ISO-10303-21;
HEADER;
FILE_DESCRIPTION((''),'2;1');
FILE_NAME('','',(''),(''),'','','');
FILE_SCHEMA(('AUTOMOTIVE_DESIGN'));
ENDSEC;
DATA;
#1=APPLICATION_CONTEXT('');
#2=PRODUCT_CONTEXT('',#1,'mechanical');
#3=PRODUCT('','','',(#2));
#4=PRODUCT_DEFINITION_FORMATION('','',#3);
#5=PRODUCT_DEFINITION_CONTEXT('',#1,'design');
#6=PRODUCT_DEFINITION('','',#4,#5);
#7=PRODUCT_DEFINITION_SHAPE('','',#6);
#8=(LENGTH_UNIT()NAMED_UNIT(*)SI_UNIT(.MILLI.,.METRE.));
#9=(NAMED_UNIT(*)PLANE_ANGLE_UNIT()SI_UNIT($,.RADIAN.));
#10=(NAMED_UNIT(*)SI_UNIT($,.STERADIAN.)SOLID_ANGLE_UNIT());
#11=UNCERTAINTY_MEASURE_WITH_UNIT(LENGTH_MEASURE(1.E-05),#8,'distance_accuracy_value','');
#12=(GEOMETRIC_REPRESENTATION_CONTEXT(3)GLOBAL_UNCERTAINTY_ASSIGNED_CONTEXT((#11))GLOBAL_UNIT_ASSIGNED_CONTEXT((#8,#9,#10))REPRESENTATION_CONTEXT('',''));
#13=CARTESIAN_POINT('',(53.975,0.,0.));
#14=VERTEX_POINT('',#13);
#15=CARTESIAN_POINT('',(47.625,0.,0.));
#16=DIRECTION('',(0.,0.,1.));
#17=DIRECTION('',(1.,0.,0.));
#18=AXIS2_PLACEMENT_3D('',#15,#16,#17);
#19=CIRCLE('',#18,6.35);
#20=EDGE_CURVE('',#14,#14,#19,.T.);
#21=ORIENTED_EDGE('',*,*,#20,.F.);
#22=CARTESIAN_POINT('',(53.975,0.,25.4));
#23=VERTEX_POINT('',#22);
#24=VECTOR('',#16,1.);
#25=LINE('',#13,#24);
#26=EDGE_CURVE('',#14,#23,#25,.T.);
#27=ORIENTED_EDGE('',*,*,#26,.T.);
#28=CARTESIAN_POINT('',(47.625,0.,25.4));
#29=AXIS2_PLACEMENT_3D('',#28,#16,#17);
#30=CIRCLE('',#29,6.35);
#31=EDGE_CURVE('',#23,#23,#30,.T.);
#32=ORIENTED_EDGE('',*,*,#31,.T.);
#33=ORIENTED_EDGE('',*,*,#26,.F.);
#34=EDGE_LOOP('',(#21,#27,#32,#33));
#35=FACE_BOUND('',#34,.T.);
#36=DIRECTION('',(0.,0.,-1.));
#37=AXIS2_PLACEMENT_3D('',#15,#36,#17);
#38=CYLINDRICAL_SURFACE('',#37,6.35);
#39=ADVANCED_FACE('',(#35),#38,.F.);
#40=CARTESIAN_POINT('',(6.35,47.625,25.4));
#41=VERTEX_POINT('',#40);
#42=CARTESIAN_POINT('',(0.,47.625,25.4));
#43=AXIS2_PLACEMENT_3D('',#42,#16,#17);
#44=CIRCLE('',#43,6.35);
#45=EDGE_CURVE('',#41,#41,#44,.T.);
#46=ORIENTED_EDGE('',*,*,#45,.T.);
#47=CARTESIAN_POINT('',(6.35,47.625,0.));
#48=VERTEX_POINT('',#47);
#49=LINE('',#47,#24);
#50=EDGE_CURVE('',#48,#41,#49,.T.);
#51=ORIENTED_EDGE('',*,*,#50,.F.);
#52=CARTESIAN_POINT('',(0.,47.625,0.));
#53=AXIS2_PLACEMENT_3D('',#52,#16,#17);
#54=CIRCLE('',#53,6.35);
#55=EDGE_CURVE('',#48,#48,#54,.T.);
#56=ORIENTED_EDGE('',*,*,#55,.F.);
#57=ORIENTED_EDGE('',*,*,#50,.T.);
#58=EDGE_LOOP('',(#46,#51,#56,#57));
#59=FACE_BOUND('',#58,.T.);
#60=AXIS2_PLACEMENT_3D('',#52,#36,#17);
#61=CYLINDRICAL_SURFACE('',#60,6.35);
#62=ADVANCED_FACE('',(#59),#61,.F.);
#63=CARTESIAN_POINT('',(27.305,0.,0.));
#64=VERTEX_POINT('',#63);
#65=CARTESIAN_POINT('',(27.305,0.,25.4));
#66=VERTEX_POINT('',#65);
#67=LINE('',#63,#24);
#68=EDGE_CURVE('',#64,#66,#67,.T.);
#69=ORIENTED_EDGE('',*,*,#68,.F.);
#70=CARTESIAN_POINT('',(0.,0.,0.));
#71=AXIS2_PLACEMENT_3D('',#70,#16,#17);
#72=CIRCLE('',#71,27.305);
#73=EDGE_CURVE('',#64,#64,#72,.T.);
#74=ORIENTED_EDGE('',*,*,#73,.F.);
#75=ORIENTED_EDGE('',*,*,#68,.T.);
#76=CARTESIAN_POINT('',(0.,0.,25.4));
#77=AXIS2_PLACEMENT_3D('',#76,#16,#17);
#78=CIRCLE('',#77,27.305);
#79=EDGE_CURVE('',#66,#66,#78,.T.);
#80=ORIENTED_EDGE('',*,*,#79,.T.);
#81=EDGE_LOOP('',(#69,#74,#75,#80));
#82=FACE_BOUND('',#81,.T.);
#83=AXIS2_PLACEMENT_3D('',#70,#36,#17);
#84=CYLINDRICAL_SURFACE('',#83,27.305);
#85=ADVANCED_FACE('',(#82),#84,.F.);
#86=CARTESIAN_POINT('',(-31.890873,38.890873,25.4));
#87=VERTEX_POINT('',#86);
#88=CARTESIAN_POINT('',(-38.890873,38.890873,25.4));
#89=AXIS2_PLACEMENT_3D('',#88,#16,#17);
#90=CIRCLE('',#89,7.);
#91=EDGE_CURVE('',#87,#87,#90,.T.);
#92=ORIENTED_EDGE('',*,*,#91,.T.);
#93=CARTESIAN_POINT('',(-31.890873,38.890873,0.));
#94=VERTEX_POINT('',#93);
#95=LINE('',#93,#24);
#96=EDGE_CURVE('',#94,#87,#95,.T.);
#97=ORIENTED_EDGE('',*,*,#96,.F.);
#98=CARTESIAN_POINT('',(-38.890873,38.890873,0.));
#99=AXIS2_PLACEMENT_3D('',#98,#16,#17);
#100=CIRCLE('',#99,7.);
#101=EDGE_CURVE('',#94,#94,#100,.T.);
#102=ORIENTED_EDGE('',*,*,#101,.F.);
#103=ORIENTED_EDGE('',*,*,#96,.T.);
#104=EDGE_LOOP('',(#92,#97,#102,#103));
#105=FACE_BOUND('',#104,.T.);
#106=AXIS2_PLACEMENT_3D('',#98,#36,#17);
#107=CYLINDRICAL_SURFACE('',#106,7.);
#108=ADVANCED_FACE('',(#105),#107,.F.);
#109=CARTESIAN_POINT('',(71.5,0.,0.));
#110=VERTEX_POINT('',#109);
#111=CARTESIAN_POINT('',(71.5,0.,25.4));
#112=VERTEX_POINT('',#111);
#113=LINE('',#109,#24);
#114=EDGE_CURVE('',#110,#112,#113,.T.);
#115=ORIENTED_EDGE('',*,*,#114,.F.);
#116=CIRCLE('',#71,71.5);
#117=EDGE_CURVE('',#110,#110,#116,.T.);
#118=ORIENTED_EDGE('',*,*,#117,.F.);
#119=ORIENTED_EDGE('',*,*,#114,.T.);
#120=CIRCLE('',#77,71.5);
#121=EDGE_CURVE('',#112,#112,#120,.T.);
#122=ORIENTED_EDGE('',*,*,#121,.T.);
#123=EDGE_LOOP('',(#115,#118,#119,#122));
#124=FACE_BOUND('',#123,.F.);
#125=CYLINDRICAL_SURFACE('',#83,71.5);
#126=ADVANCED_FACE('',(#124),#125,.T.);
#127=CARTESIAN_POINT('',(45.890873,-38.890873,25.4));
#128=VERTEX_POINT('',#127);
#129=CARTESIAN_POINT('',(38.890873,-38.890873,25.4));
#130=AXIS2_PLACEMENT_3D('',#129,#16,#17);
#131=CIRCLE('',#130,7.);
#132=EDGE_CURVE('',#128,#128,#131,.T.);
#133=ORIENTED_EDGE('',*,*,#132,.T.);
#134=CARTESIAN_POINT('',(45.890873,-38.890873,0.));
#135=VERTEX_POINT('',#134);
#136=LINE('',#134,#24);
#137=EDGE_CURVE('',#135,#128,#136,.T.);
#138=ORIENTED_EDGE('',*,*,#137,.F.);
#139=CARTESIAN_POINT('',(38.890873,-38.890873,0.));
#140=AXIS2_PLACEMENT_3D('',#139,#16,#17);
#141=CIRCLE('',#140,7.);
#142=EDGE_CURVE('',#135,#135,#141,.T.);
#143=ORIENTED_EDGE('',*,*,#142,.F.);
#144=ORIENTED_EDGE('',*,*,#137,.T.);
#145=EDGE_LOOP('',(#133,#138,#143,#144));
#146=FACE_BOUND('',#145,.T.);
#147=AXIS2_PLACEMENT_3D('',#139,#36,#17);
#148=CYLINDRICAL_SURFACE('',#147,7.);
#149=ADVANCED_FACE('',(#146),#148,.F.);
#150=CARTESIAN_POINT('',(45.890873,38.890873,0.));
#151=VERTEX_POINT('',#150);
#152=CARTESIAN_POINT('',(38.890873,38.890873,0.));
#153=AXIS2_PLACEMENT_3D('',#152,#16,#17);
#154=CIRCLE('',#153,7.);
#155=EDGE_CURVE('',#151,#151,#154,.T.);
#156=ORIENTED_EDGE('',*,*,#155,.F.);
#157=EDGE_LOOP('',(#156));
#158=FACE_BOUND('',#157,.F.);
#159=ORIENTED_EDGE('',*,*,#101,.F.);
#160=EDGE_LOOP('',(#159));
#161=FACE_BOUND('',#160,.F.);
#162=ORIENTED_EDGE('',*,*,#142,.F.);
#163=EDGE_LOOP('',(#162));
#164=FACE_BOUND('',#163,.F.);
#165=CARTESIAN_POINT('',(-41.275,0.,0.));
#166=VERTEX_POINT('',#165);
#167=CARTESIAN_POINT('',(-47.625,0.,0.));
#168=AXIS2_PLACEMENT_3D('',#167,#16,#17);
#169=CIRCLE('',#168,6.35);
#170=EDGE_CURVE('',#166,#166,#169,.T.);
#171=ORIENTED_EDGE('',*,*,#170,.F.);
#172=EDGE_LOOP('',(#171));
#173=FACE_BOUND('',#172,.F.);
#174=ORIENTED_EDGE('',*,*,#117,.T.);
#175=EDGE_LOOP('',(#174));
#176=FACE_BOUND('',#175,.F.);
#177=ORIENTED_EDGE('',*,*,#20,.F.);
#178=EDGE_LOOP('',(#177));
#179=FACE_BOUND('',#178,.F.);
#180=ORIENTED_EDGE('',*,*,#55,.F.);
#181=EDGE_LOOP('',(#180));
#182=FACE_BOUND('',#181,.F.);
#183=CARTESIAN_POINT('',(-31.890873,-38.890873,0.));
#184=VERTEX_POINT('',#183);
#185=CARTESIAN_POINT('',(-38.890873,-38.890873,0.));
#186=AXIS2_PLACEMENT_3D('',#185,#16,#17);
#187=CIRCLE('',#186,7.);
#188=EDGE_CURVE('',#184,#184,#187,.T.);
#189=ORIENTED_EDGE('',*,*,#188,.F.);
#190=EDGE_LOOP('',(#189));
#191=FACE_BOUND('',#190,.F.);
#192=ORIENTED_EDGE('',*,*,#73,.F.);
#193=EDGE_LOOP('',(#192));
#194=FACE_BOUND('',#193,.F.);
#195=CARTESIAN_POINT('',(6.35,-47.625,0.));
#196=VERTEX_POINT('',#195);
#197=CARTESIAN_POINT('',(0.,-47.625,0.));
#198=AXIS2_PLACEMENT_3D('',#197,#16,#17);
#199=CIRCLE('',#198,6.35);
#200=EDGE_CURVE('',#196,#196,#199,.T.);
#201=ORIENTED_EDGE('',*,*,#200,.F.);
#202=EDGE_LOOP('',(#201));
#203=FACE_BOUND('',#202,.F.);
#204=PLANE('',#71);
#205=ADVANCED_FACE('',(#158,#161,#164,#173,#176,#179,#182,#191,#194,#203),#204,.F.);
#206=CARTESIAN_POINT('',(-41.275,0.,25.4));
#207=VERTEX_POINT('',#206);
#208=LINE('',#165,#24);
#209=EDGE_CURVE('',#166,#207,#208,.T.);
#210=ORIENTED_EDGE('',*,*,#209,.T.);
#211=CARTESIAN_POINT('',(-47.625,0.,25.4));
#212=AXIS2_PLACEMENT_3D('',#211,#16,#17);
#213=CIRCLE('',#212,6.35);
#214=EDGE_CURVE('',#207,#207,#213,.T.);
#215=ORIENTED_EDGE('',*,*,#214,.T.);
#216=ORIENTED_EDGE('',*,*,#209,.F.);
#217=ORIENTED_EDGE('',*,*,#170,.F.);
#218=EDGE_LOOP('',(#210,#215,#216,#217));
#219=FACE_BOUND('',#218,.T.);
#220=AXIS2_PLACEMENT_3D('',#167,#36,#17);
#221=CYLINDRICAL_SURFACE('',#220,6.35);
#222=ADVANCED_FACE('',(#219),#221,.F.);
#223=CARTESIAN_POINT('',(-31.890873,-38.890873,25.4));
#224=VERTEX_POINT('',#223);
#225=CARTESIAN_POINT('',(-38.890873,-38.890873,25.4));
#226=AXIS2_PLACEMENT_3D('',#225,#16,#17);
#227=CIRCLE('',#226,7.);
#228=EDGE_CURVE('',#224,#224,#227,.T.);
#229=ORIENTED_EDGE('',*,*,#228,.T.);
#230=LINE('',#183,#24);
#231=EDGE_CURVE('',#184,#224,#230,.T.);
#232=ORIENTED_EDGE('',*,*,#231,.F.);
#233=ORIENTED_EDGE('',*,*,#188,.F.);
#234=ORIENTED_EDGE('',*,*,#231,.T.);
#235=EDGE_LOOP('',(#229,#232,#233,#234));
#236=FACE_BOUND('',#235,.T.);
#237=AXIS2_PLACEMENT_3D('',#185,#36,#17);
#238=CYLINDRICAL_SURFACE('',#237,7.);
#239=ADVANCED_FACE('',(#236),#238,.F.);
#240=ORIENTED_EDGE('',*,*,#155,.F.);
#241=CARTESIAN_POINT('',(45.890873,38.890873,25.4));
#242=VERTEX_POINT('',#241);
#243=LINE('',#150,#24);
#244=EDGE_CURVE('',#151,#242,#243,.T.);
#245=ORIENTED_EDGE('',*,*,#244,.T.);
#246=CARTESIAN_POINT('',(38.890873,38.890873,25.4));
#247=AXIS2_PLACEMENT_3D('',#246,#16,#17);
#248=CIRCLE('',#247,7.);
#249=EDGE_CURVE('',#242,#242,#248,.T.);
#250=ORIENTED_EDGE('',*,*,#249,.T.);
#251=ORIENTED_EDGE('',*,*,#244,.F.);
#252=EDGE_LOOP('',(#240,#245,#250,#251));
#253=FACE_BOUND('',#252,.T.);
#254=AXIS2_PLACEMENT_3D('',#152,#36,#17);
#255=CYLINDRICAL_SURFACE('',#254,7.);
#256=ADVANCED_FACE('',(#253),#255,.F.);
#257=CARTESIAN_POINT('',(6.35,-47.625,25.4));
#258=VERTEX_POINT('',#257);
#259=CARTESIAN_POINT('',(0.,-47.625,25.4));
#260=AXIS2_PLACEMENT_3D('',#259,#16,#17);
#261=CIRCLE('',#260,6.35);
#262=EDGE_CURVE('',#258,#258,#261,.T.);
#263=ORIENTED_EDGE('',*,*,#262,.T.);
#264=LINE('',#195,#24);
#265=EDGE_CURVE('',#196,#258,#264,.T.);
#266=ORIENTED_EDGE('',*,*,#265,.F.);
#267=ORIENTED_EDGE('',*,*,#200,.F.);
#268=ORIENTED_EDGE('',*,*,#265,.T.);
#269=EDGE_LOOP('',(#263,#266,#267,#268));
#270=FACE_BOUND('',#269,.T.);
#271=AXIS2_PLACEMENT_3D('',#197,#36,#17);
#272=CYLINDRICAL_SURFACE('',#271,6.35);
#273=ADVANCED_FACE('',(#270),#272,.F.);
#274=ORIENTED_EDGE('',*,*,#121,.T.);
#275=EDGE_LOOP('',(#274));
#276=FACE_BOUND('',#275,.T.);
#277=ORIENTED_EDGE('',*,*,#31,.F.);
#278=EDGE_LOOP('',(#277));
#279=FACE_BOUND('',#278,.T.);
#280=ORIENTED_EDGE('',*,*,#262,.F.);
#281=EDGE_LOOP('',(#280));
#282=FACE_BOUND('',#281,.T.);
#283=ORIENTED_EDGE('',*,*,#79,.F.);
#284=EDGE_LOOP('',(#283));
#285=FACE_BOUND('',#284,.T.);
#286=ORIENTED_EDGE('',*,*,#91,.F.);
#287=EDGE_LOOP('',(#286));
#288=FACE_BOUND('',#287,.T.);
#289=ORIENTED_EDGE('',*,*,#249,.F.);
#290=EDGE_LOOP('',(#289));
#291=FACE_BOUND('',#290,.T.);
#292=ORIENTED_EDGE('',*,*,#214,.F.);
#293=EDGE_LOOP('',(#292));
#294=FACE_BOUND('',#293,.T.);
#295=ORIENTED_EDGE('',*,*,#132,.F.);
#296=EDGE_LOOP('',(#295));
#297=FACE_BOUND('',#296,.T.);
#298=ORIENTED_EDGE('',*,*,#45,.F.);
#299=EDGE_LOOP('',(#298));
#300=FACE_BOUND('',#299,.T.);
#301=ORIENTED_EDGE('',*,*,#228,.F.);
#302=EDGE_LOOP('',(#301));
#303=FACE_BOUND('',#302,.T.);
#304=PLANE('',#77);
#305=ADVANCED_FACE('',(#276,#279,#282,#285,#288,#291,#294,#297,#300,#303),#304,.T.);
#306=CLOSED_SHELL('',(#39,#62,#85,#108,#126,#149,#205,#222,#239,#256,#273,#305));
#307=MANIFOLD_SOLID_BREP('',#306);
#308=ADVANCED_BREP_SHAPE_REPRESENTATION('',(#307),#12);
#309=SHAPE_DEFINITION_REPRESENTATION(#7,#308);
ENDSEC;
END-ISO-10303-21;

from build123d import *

# Parameters (mm, degrees)
F0_R     = 71.5
F0_R_2   = 7
F0_R_3   = 6.35
F0_R_4   = 27.305
F1_DEPTH = 25.4


with BuildPart() as f1:
    # F0 (on Top) → F1 (new body)
    with BuildSketch(Plane.XY):
        Circle(F0_R)
        with Locations((-38.890873, -38.890873)):
            Circle(F0_R_2, mode=Mode.SUBTRACT)
        with Locations((0, -47.625)):
            Circle(F0_R_3, mode=Mode.SUBTRACT)
        with Locations((38.890873, -38.890873)):
            Circle(F0_R_2, mode=Mode.SUBTRACT)
        with Locations((-47.625, 0)):
            Circle(F0_R_3, mode=Mode.SUBTRACT)
        with Locations((-38.890873, 38.890873)):
            Circle(F0_R_2, mode=Mode.SUBTRACT)
        Circle(F0_R_4, mode=Mode.SUBTRACT)
        with Locations((47.625, 0)):
            Circle(F0_R_3, mode=Mode.SUBTRACT)
        with Locations((0, 47.625)):
            Circle(F0_R_3, mode=Mode.SUBTRACT)
        with Locations((38.890873, 38.890873)):
            Circle(F0_R_2, mode=Mode.SUBTRACT)
    extrude(amount=F1_DEPTH)


solid = f1.part
